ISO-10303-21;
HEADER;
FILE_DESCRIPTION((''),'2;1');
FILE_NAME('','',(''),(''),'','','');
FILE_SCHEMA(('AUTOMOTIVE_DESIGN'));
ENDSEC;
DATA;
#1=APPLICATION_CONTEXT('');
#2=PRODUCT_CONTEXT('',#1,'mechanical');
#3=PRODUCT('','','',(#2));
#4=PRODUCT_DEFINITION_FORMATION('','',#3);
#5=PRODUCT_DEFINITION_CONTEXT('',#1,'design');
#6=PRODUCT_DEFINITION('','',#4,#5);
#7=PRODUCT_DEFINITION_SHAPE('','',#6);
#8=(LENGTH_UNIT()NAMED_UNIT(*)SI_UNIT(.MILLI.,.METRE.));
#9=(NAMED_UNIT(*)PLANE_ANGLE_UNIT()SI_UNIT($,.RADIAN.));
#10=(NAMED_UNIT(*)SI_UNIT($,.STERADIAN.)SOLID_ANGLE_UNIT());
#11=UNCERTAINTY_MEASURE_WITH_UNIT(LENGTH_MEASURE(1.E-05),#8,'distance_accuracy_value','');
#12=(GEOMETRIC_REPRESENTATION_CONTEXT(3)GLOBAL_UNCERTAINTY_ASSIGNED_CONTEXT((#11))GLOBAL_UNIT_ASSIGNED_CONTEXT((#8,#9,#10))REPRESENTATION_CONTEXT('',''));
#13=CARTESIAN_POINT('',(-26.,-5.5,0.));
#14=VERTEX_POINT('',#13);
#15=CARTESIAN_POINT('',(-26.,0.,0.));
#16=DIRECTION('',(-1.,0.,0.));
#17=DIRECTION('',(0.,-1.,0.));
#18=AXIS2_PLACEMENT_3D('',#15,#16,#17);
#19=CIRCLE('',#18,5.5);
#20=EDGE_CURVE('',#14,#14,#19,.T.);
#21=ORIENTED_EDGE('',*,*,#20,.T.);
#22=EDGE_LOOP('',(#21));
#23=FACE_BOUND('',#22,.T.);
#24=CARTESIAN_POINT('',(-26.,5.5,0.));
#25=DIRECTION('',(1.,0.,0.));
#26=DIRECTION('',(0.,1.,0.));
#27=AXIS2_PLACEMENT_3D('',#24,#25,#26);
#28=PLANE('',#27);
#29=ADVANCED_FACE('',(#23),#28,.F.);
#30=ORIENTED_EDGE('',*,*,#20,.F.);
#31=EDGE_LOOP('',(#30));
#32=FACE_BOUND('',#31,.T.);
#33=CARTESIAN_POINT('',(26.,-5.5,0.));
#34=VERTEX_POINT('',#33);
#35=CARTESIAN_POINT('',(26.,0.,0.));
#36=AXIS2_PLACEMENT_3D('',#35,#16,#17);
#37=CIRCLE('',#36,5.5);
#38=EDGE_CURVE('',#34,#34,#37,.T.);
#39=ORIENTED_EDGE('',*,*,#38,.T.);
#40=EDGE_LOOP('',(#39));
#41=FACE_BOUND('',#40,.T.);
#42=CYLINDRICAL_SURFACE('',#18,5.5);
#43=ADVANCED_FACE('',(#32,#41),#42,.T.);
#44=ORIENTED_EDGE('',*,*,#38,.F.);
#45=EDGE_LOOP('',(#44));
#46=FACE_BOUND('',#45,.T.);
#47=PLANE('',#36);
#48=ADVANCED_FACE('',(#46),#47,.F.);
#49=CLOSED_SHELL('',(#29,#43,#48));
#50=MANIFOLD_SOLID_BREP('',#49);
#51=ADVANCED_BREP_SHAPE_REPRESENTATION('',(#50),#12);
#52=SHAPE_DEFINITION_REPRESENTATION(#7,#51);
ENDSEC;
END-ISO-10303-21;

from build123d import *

# Parameters (mm, degrees)
SKETCH1_W = 52
SKETCH1_H = 5.5


with BuildPart() as part:
    # Sketch1 → Revolve1 (revolve)
    with BuildSketch(Plane.XY, mode=Mode.PRIVATE) as revolve1_sk:
        with Locations((0, 2.75)):
            Rectangle(SKETCH1_W, SKETCH1_H)
    revolve(revolve1_sk.sketch.rotate(Axis((-26, 0, 0), (1, 0, 0)), 180), axis=Axis((-26, 0, 0), (1, 0, 0)))


solid = part.part
